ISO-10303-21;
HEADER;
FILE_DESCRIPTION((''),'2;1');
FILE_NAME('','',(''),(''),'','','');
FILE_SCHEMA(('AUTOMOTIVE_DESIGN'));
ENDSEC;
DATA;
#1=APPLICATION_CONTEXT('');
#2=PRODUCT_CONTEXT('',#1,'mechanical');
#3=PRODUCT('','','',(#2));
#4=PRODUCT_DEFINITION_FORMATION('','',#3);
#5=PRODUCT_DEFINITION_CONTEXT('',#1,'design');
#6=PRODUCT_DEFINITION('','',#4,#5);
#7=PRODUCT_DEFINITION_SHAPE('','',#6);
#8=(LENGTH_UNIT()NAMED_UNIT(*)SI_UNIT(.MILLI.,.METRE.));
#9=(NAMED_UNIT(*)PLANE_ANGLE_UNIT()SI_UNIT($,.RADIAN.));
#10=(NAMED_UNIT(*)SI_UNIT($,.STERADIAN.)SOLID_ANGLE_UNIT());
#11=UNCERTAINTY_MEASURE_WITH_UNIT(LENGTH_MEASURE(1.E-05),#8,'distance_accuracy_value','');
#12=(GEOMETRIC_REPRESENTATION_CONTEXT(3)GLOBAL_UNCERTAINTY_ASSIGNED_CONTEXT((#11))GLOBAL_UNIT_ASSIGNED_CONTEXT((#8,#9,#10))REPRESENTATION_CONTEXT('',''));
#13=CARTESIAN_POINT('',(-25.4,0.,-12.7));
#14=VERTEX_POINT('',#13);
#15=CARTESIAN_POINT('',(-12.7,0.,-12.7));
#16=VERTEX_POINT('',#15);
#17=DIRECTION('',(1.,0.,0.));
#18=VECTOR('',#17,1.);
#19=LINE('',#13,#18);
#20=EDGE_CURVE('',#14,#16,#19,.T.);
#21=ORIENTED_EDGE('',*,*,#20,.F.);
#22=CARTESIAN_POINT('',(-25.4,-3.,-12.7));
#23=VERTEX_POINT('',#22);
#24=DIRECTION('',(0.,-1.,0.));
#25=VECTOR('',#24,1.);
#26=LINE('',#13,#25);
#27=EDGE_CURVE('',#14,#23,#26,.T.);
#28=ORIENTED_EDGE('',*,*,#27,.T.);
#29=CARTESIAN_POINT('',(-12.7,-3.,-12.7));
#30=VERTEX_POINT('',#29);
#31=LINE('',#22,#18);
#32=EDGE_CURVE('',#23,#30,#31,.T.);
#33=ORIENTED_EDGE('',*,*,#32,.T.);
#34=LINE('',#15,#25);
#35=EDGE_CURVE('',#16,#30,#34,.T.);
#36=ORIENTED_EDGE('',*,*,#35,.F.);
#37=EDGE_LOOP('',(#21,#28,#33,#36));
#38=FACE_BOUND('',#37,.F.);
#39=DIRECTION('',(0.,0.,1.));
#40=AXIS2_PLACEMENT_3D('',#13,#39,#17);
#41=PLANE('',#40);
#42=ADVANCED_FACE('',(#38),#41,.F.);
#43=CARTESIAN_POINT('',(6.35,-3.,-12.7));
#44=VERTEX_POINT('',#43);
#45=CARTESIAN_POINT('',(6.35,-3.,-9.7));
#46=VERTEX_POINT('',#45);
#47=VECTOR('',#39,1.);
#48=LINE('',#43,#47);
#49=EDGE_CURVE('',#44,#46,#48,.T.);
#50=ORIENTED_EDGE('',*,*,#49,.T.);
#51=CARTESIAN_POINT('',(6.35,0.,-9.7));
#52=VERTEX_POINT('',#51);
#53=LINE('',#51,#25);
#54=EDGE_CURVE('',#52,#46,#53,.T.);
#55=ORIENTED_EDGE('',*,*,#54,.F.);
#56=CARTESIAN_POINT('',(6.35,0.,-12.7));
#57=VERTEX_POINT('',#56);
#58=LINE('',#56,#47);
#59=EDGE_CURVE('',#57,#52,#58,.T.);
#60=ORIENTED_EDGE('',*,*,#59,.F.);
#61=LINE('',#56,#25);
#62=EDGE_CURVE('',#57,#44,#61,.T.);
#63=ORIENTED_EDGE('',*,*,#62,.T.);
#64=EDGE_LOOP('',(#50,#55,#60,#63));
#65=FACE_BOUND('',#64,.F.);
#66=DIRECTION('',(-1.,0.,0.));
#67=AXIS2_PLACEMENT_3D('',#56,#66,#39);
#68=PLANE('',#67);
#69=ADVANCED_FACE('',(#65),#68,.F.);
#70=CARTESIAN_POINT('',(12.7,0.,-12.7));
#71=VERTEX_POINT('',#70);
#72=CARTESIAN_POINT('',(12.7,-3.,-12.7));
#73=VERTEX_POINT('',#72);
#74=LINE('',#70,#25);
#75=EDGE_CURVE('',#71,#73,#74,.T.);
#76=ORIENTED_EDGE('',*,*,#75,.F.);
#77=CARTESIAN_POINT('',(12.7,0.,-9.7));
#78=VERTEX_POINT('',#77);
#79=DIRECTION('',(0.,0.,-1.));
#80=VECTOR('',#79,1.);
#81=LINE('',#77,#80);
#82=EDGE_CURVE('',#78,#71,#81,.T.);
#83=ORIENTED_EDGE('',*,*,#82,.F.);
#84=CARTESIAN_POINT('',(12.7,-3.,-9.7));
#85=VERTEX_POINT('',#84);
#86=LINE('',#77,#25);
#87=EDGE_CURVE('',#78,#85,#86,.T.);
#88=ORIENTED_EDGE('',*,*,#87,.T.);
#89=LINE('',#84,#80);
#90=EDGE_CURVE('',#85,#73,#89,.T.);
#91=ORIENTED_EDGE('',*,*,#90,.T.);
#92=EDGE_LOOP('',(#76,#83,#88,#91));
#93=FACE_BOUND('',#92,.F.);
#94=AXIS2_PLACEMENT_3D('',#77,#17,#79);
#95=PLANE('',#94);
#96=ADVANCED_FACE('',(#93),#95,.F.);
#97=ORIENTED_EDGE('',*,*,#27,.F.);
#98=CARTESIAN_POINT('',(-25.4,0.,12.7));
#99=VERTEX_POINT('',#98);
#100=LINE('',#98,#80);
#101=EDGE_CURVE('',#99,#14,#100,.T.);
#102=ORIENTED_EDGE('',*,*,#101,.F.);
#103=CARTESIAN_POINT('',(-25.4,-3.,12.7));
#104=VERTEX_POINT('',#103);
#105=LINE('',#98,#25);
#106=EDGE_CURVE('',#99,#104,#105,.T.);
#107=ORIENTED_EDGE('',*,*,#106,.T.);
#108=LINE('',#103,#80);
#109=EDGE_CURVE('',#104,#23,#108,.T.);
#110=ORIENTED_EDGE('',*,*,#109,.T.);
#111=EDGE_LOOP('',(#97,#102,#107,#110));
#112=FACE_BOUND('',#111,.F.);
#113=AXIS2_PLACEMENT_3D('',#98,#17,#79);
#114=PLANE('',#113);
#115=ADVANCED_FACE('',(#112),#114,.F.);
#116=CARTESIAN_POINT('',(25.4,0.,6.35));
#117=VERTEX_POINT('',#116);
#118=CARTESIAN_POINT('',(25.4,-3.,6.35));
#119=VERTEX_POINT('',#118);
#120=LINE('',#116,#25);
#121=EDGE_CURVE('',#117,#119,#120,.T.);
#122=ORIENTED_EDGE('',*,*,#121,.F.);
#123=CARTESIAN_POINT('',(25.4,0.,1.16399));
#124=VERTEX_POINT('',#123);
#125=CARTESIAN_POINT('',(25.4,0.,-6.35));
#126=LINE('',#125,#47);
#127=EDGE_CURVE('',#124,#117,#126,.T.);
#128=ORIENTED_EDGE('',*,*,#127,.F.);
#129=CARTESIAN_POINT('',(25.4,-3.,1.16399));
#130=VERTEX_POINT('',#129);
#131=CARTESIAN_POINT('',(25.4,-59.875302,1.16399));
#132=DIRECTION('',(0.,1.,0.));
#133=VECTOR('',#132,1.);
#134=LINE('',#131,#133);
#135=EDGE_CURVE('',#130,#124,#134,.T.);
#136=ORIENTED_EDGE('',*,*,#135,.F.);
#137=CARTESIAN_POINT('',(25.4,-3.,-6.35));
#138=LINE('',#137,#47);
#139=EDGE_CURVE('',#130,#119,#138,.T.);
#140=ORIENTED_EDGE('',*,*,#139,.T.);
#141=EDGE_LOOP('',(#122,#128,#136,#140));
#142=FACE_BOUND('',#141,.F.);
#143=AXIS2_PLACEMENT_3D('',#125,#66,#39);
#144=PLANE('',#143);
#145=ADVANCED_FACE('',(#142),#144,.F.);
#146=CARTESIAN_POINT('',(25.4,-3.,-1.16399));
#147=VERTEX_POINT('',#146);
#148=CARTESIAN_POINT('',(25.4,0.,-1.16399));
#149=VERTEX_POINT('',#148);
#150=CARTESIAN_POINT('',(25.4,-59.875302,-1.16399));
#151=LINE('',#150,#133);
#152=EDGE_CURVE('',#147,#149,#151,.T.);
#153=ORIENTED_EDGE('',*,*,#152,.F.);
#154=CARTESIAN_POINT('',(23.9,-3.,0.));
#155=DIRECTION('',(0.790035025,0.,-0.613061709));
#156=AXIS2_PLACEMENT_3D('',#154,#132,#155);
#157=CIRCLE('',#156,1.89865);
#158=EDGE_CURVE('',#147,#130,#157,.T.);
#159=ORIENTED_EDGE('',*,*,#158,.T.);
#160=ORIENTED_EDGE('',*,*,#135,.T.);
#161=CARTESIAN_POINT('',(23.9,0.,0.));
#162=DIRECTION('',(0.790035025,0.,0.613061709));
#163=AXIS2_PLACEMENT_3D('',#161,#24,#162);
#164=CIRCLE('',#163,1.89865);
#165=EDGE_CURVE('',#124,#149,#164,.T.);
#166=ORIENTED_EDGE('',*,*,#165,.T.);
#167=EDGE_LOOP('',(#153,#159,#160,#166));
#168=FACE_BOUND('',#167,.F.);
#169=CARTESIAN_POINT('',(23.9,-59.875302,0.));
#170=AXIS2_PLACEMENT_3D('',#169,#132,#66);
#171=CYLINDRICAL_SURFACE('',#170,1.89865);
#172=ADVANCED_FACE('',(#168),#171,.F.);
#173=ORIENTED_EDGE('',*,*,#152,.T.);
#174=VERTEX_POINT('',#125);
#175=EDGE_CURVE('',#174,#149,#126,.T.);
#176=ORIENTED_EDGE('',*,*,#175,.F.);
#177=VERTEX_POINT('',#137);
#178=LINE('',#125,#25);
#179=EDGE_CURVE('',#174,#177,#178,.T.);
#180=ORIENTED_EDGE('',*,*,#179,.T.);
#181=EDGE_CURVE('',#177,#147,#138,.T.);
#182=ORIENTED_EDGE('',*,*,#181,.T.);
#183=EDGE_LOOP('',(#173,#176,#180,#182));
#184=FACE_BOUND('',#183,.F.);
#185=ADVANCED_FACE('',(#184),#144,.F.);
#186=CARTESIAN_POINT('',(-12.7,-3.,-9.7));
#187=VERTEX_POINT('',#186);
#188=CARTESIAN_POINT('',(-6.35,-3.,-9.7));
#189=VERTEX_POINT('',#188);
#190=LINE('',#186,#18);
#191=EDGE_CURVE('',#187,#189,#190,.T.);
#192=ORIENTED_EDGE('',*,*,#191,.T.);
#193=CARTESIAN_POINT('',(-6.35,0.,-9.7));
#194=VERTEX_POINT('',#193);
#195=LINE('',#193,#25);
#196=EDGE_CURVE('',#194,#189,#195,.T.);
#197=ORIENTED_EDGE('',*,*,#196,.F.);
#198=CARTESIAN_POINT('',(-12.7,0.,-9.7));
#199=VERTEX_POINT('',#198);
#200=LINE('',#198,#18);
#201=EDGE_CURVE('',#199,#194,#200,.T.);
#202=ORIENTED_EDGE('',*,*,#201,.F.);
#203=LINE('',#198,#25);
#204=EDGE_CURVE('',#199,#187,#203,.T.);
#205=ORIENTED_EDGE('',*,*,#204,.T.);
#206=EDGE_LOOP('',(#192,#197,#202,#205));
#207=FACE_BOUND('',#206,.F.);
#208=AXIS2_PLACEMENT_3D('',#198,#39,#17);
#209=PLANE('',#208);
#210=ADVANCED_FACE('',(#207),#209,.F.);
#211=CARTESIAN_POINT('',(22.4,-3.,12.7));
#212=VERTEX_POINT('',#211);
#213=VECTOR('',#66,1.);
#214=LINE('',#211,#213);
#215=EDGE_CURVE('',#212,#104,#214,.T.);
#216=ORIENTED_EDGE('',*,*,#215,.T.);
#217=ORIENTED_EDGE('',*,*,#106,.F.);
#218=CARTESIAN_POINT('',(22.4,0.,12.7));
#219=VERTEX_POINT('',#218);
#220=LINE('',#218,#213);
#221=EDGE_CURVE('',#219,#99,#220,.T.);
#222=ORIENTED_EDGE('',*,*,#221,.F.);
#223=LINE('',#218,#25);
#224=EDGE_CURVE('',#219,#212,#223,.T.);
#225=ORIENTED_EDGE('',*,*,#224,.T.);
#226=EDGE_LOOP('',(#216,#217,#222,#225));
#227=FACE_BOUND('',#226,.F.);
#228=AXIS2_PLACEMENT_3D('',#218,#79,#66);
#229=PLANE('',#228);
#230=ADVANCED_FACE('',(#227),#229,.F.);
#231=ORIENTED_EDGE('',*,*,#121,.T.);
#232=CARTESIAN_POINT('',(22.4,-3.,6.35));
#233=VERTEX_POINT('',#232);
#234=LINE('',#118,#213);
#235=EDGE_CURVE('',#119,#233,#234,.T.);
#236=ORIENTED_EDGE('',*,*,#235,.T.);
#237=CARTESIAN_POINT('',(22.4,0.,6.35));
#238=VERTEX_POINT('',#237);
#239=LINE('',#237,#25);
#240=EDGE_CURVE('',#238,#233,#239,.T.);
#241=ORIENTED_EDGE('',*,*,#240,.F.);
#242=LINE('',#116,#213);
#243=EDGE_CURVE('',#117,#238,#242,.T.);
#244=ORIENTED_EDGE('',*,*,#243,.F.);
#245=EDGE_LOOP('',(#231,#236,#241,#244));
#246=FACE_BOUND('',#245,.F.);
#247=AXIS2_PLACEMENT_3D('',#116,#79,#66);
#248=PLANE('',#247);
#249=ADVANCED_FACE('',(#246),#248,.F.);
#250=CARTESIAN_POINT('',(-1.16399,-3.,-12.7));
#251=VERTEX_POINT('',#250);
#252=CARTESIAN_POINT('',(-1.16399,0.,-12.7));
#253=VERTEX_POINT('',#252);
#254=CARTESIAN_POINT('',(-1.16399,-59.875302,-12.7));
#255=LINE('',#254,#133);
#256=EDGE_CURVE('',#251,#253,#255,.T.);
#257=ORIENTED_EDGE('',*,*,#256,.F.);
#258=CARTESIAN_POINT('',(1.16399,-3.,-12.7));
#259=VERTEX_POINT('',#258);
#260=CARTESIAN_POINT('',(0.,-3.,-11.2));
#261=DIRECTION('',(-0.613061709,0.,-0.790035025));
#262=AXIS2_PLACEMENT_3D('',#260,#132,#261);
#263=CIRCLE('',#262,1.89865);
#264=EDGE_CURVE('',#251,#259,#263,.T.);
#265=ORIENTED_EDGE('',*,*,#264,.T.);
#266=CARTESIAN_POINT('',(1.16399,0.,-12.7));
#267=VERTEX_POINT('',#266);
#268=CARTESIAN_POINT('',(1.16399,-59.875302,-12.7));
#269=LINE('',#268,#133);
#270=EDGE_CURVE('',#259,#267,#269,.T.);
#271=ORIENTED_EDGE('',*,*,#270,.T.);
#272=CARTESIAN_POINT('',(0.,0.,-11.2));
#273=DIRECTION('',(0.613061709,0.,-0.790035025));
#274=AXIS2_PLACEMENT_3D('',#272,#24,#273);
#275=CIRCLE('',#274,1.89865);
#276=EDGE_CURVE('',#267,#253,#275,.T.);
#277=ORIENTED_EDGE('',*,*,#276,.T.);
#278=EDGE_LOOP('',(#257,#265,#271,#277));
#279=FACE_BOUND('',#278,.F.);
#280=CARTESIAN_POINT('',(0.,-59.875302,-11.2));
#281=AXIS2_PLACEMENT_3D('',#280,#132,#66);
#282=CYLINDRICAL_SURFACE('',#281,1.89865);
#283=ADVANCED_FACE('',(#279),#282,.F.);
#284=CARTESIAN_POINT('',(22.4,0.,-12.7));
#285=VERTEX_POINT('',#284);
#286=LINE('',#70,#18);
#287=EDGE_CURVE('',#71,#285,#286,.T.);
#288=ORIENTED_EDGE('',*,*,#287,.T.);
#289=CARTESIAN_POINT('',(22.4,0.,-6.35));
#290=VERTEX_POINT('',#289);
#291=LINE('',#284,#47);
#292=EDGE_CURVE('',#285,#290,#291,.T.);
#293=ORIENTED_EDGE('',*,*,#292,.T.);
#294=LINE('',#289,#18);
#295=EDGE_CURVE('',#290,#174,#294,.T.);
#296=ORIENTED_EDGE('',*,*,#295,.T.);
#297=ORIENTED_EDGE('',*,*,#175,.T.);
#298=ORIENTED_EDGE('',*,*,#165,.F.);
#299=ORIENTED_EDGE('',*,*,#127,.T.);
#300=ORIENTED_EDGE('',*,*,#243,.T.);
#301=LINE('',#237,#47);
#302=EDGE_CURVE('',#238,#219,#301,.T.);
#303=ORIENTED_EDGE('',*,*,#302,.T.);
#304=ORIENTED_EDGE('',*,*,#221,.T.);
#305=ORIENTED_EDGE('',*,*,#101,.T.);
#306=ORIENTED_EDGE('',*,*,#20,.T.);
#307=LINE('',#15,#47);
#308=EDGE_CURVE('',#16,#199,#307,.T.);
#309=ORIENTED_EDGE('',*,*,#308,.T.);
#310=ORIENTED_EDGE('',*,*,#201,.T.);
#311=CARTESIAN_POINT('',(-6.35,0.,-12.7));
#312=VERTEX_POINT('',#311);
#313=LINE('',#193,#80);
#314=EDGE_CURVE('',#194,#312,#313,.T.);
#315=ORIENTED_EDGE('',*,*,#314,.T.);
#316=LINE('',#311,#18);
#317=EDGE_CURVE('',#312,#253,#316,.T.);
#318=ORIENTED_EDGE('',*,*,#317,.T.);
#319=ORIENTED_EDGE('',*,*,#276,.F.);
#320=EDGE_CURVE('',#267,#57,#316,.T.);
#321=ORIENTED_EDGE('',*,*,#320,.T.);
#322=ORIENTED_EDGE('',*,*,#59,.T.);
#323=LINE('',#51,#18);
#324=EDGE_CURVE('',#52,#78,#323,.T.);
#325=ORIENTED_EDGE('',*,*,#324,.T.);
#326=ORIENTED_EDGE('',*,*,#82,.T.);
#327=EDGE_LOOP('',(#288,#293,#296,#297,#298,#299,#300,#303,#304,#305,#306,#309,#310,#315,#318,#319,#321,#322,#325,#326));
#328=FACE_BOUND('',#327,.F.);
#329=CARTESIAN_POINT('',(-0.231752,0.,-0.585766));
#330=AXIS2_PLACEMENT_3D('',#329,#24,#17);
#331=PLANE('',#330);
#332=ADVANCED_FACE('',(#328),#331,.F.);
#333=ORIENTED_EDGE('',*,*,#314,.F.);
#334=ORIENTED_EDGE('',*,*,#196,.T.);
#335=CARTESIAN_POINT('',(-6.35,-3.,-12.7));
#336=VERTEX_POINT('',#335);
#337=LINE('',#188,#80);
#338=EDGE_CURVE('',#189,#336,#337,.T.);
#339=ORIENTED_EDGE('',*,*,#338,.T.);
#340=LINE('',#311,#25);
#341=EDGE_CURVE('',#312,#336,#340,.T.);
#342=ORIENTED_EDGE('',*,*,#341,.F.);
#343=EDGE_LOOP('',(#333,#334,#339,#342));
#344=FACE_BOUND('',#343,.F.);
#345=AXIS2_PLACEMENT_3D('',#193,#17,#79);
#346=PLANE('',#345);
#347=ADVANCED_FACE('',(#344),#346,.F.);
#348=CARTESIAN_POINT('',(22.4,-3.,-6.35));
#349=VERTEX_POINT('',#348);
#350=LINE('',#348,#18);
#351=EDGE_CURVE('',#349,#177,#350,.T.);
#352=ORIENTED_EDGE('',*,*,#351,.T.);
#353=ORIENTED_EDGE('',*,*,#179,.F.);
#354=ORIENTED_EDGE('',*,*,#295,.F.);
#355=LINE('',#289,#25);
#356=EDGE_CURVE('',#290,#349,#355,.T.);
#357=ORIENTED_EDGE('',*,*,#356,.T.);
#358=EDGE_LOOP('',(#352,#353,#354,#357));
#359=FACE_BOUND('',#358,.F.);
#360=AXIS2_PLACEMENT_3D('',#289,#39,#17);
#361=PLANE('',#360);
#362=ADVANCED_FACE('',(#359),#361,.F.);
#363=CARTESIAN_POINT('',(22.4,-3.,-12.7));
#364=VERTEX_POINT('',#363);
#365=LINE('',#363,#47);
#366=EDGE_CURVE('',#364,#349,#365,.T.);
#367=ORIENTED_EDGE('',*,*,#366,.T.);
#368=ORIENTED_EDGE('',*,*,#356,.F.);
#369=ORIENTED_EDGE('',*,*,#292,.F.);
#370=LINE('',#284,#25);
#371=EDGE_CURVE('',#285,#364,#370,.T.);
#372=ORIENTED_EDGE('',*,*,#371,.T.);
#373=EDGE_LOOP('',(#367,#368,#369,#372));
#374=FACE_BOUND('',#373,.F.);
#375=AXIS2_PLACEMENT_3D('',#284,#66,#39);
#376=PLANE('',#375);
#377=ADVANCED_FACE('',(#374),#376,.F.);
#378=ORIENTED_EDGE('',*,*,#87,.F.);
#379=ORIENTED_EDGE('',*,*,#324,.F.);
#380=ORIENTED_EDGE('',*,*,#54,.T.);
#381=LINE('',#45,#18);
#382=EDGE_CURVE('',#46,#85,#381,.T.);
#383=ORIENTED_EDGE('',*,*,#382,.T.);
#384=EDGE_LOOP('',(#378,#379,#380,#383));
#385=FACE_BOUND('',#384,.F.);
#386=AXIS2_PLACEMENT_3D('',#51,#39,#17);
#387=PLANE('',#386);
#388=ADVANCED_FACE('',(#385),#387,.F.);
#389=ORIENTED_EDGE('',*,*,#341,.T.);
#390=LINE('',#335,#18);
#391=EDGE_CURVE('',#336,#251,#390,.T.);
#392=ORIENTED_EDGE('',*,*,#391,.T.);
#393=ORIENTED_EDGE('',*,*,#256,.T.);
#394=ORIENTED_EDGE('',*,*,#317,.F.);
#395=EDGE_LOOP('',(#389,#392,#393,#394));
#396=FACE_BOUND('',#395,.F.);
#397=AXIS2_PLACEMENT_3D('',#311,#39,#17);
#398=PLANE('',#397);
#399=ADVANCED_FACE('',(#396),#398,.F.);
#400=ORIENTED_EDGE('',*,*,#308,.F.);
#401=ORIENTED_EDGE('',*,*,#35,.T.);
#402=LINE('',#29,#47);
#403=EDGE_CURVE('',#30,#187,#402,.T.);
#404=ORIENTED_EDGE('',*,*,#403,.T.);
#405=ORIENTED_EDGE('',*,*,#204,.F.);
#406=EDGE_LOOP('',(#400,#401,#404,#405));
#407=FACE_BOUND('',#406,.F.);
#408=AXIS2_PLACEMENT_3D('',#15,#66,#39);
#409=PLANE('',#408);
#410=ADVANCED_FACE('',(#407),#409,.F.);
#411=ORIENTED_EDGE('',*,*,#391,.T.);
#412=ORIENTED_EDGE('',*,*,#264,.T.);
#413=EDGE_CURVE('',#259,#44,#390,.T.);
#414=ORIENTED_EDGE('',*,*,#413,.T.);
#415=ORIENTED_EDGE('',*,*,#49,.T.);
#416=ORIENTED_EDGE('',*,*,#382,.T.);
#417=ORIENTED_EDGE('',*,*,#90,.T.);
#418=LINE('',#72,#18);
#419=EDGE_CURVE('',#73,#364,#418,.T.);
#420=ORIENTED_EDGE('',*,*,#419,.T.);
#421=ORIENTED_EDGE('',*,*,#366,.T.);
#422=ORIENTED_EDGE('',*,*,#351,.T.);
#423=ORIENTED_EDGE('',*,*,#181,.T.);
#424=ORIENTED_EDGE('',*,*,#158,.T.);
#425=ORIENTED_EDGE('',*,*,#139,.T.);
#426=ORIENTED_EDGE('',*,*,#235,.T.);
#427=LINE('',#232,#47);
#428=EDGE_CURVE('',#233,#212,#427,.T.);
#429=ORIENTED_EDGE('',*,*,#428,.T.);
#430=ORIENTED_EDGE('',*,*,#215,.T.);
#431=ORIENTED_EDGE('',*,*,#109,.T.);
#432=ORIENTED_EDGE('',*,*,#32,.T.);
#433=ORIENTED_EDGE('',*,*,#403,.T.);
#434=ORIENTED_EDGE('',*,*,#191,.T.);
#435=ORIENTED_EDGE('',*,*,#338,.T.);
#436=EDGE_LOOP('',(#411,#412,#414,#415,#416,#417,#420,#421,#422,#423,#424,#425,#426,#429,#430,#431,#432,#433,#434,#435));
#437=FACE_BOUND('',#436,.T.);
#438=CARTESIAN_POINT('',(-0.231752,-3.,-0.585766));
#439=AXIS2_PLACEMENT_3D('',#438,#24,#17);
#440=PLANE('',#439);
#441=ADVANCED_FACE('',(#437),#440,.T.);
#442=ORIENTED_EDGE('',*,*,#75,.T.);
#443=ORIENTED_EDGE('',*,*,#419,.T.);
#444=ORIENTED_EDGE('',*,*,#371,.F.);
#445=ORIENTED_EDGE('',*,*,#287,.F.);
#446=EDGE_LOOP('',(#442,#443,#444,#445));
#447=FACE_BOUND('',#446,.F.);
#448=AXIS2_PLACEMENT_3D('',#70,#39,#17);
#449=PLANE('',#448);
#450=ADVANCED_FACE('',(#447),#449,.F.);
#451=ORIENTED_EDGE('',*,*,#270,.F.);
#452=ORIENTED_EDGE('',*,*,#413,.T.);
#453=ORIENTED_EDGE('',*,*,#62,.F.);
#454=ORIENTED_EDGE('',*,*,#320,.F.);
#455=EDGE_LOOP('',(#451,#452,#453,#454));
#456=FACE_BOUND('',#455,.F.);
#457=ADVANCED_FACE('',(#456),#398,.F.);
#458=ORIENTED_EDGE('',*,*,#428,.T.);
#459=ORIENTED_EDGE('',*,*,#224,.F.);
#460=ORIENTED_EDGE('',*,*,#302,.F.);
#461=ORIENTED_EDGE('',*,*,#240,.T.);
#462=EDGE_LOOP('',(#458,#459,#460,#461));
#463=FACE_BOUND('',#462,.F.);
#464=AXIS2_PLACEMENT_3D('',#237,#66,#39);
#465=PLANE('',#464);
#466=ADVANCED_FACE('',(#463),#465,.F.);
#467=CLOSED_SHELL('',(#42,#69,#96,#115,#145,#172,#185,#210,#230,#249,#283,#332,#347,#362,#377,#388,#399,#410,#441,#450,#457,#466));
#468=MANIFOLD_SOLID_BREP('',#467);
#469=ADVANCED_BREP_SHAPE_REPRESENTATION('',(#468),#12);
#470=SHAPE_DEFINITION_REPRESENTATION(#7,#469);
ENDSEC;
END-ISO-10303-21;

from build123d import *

# Parameters (mm, degrees)
F1_DEPTH = 3
F3_D     = 3.7973
F4_D     = 3.7973


with BuildPart() as f1:
    # F0 (on Front) → F1 (new body)
    with BuildSketch(Plane.XZ):
        Polygon((22.4, 12.7), (-25.4, 12.7), (-25.4, -12.7), (-12.7, -12.7), (-12.7, -9.7), (-6.35, -9.7), (-6.35, -12.7), (6.3499999233, -12.7), (6.3499999233, -9.7), (12.6999999233, -9.7), (12.6999999233, -12.7), (22.4, -12.7), (22.4, -6.35), (25.4, -6.35), (25.4, 6.35), (22.4, 6.35), align=None)
    extrude(amount=F1_DEPTH)

    # F3 (through all)
    with Locations(Plane.XZ.offset(3)):
        with Locations((0, -11.2)):
            Hole(F3_D / 2)

    # F4 (through all)
    with Locations(Plane.XZ.offset(3)):
        with Locations((23.9, 0)):
            Hole(F4_D / 2)


solid = f1.part
